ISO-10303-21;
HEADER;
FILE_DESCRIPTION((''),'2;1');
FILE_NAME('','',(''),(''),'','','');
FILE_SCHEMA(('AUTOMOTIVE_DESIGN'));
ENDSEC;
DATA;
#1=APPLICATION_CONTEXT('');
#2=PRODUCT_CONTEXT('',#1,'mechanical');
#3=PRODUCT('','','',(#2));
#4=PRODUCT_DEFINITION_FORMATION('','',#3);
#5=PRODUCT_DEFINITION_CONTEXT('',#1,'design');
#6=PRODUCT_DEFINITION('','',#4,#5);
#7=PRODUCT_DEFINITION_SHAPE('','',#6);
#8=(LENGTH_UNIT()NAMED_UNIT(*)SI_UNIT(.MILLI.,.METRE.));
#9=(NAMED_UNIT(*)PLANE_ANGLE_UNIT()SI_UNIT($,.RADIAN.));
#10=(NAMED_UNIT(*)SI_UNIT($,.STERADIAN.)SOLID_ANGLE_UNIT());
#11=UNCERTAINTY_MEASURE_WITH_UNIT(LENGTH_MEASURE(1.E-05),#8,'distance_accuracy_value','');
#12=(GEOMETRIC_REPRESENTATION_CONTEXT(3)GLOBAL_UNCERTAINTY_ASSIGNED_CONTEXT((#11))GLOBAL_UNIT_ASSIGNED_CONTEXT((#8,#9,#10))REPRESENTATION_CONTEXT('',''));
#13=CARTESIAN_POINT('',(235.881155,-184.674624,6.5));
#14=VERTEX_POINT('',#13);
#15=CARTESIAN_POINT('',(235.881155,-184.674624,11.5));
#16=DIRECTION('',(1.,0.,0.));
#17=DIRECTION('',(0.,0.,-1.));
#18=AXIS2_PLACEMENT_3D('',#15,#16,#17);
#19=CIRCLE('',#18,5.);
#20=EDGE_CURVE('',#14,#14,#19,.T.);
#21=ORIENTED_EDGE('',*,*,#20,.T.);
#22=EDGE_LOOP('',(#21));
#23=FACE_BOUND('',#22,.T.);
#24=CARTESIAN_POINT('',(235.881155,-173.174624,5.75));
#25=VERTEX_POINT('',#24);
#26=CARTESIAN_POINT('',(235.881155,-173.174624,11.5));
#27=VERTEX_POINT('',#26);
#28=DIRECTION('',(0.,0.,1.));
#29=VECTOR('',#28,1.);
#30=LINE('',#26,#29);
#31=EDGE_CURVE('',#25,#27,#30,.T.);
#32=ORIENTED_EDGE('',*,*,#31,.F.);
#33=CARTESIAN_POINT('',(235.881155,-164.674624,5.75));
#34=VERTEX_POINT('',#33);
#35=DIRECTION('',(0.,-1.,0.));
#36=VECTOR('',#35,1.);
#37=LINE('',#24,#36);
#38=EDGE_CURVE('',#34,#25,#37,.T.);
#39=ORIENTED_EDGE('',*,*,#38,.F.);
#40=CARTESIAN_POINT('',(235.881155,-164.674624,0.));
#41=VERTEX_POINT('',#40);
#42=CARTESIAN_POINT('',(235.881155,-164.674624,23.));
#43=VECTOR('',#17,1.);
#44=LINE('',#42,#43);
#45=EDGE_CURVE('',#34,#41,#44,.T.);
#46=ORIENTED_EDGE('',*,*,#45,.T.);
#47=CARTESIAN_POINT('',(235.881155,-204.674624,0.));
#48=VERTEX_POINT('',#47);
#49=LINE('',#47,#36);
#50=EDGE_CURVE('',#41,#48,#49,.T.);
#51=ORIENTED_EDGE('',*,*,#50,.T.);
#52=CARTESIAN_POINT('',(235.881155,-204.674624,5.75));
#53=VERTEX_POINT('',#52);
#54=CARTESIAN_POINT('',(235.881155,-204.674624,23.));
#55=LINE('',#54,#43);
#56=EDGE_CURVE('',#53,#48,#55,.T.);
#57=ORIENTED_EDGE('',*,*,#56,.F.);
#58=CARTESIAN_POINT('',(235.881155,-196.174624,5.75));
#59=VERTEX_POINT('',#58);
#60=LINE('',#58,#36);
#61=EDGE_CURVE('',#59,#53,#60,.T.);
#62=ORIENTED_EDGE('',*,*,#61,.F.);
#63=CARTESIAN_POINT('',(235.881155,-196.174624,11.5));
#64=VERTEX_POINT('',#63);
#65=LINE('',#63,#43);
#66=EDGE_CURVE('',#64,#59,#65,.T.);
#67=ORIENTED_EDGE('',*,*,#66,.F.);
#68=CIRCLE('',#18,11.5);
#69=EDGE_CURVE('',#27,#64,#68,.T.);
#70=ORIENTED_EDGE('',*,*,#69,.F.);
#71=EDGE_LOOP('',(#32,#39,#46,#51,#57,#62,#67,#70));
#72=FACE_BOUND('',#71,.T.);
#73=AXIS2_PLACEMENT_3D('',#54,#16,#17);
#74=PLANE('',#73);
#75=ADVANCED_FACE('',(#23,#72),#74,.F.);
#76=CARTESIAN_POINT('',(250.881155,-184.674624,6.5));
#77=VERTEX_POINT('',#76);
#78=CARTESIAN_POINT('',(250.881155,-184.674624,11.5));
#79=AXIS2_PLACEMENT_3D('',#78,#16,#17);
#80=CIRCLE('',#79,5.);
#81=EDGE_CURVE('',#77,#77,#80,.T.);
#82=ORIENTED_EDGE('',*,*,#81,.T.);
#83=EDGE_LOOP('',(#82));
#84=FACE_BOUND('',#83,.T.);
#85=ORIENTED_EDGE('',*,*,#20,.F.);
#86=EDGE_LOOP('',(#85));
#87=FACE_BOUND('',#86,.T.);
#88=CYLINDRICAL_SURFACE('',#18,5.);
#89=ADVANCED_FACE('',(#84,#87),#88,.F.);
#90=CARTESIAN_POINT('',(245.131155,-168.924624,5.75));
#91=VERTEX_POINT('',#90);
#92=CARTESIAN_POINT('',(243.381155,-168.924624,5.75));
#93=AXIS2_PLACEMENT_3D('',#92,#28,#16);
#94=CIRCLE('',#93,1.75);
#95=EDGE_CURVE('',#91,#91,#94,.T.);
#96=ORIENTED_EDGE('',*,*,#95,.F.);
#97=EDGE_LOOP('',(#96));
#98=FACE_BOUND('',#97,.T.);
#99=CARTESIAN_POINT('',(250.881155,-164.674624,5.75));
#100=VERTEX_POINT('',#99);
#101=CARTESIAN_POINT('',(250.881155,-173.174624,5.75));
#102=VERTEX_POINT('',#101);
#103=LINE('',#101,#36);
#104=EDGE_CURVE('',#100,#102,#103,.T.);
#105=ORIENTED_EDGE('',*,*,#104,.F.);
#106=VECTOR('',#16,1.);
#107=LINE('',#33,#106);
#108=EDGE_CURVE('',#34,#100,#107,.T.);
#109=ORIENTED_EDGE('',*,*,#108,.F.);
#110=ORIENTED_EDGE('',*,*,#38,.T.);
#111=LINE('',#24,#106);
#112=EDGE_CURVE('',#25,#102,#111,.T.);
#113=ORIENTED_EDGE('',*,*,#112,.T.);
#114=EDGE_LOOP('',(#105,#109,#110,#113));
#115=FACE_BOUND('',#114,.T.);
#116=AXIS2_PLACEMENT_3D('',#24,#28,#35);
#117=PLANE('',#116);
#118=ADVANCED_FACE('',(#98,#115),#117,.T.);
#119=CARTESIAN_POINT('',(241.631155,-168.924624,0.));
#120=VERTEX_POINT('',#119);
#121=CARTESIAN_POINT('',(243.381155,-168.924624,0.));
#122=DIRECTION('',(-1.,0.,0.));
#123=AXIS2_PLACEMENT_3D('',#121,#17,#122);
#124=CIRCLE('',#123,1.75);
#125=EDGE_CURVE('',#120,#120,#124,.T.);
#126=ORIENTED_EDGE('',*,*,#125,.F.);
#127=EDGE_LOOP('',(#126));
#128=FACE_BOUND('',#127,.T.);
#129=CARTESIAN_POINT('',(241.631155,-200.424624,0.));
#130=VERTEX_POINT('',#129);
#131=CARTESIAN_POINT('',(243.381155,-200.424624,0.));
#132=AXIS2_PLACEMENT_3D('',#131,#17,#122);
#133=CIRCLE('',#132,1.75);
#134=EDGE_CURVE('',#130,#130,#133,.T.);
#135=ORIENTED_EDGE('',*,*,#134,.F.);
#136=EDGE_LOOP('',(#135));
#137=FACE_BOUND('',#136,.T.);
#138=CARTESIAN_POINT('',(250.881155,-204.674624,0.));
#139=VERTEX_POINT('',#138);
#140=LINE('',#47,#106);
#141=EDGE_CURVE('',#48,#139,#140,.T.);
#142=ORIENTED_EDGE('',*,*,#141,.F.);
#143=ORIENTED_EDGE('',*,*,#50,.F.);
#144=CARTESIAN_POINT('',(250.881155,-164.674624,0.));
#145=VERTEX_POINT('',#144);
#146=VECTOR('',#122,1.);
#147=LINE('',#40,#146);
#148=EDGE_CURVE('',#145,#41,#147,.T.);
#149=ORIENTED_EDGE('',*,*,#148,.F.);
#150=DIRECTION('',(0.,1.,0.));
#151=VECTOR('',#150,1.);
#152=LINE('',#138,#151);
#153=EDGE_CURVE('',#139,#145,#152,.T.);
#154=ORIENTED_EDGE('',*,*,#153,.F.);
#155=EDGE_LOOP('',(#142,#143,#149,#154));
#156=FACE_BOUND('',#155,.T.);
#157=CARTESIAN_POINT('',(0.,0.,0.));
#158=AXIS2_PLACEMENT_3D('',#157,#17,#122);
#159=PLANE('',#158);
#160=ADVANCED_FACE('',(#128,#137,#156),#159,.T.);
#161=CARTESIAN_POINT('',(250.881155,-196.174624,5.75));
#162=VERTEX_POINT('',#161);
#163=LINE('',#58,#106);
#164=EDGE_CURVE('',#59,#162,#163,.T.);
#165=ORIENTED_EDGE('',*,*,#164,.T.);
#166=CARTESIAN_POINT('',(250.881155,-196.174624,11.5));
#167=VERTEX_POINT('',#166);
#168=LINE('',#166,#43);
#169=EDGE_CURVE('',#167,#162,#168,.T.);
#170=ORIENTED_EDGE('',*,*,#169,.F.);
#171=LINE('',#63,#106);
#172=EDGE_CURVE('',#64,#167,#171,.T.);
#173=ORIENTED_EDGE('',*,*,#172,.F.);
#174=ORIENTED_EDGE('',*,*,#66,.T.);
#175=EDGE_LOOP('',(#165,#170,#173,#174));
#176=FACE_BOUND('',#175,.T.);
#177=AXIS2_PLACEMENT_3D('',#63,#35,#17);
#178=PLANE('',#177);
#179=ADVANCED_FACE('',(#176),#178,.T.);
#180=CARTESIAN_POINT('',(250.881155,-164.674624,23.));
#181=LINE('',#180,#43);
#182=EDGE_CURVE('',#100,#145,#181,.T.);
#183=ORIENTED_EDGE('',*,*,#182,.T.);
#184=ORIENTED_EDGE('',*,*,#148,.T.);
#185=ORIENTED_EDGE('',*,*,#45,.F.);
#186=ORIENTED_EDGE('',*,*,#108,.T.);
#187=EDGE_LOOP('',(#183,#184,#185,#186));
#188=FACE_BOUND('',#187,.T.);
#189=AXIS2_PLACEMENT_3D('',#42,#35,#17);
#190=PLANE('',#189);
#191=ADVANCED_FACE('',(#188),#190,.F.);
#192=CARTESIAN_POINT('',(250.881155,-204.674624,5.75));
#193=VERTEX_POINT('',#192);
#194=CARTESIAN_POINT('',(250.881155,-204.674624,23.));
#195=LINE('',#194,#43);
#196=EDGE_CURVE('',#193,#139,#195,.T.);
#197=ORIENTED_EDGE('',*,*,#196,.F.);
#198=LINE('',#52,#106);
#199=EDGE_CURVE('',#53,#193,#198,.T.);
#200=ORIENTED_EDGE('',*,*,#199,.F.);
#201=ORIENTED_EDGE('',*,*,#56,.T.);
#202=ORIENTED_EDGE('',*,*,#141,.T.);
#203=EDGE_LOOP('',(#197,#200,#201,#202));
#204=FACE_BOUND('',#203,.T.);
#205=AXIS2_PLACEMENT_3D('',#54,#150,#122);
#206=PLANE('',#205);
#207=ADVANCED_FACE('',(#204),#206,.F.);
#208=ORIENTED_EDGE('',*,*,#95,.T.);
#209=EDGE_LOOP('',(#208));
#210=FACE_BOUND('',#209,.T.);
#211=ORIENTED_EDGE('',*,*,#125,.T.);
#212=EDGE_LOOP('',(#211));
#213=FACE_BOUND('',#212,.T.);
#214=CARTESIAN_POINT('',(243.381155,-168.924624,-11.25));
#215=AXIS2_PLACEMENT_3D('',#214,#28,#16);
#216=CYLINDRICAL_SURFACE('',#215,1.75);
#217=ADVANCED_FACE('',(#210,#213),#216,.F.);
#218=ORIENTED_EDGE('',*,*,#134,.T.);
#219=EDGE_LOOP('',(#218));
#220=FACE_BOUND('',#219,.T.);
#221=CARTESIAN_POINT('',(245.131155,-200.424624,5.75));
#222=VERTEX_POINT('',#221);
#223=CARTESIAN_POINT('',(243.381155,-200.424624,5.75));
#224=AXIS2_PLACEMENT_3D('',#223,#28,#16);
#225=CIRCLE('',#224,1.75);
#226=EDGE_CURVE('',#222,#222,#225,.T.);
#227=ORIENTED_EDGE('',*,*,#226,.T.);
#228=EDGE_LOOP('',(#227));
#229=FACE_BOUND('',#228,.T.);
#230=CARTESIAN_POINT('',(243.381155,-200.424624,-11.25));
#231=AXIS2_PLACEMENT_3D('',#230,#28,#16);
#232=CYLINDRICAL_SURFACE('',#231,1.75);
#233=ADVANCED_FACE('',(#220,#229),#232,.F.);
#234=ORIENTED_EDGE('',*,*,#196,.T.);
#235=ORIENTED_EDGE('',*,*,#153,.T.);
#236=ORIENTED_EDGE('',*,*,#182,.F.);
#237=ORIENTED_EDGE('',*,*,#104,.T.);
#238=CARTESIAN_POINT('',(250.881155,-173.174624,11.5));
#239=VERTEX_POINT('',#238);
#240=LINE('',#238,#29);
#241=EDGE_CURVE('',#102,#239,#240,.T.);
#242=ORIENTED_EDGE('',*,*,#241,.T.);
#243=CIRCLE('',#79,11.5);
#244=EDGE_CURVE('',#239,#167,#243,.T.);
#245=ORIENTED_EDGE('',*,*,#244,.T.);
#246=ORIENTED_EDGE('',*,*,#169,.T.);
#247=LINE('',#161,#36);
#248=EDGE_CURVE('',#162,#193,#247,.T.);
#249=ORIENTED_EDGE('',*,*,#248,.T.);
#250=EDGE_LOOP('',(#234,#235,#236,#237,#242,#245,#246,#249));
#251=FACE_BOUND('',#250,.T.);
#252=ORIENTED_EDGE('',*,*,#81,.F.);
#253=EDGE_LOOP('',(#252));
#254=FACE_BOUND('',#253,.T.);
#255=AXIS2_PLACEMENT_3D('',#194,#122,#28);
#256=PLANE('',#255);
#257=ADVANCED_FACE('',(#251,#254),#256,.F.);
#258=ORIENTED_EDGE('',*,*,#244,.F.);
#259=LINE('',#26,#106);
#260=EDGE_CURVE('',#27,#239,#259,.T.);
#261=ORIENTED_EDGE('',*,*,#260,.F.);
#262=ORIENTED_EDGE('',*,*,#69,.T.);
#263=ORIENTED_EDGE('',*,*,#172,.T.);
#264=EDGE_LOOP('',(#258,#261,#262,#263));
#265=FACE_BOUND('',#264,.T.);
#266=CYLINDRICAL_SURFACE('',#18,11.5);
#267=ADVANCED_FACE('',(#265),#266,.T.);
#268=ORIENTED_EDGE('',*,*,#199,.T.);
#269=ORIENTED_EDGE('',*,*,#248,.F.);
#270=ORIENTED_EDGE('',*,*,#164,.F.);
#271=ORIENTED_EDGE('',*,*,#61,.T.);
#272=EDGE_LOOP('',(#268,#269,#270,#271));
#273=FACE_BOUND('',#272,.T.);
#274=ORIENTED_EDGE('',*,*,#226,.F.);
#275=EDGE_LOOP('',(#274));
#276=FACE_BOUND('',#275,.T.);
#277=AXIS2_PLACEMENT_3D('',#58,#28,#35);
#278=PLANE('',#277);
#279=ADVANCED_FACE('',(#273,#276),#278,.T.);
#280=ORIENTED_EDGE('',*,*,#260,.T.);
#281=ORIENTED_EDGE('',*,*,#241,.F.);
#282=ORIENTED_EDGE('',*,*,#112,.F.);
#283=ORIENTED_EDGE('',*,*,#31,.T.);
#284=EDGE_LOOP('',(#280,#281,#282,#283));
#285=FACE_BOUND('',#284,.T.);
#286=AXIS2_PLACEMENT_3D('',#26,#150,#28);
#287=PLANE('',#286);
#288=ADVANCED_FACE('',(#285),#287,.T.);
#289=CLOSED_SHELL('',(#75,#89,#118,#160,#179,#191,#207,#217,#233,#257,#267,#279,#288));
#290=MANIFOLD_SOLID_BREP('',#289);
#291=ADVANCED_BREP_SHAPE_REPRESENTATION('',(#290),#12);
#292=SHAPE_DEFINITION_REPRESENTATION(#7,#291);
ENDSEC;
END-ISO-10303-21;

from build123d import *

# Parameters (mm, degrees)
SKETCH1_W           = 15
SKETCH1_H           = 40
BOSS_EXTRUDE1_DEPTH = 23
SKETCH2_OUTSIDE_W   = 34.704
SKETCH2_OUTSIDE_H   = 51.704
CUT_EXTRUDE1_DEPTH  = 207.508357771
SKETCH3_R           = 5
CUT_EXTRUDE2_DEPTH  = 207.508357771
SKETCH4_R           = 1.75
CUT_EXTRUDE3_DEPTH  = 17


with BuildPart() as part:
    # Sketch1 → Boss-Extrude1 (new body)
    with BuildSketch(Plane.XY):
        with Locations((243.381155173, -184.674624292)):
            Rectangle(SKETCH1_W, SKETCH1_H)
    extrude(amount=BOSS_EXTRUDE1_DEPTH)

    # Sketch2 outside → Cut-Extrude1 (cut, through all)
    with BuildSketch(Plane(origin=(250.881155173, 0, 0), x_dir=(0, 0, -1), z_dir=(1, 0, 0))):
        with Locations((-11.5, -184.675)):
            Rectangle(SKETCH2_OUTSIDE_W, SKETCH2_OUTSIDE_H)
        with BuildLine():
            Line((-11.5, -173.174624292), (-5.75, -173.174624292))
            Line((-5.75, -173.174624292), (-5.75, -164.674624292))
            Line((-5.75, -164.674624292), (0, -164.674624292))
            Line((0, -164.674624292), (0, -204.674624292))
            Line((0, -204.674624292), (-5.75, -204.674624292))
            Line((-5.75, -204.674624292), (-5.75, -196.174624292))
            Line((-5.75, -196.174624292), (-11.5, -196.174624292))
            ThreePointArc((-11.5, -196.174624292), (-23, -184.674624292), (-11.5, -173.174624292))
        make_face(mode=Mode.SUBTRACT)
    extrude(amount=-CUT_EXTRUDE1_DEPTH, mode=Mode.SUBTRACT)

    # Sketch3 → Cut-Extrude2 (cut, through all)
    with BuildSketch(Plane(origin=(250.881155173, 0, 0), x_dir=(0, 0, -1), z_dir=(1, 0, 0))):
        with Locations((-11.5, -184.674624292)):
            Circle(SKETCH3_R)
    extrude(amount=-CUT_EXTRUDE2_DEPTH, mode=Mode.SUBTRACT)

    # Sketch4 → Cut-Extrude3 (cut)
    with BuildSketch(Plane.XY.offset(5.75)):
        with Locations((243.381155173, -200.424624292)):
            Circle(SKETCH4_R)
        with Locations((243.381155173, -168.924624292)):
            Circle(SKETCH4_R)
    extrude(amount=-CUT_EXTRUDE3_DEPTH, mode=Mode.SUBTRACT)


solid = part.part
